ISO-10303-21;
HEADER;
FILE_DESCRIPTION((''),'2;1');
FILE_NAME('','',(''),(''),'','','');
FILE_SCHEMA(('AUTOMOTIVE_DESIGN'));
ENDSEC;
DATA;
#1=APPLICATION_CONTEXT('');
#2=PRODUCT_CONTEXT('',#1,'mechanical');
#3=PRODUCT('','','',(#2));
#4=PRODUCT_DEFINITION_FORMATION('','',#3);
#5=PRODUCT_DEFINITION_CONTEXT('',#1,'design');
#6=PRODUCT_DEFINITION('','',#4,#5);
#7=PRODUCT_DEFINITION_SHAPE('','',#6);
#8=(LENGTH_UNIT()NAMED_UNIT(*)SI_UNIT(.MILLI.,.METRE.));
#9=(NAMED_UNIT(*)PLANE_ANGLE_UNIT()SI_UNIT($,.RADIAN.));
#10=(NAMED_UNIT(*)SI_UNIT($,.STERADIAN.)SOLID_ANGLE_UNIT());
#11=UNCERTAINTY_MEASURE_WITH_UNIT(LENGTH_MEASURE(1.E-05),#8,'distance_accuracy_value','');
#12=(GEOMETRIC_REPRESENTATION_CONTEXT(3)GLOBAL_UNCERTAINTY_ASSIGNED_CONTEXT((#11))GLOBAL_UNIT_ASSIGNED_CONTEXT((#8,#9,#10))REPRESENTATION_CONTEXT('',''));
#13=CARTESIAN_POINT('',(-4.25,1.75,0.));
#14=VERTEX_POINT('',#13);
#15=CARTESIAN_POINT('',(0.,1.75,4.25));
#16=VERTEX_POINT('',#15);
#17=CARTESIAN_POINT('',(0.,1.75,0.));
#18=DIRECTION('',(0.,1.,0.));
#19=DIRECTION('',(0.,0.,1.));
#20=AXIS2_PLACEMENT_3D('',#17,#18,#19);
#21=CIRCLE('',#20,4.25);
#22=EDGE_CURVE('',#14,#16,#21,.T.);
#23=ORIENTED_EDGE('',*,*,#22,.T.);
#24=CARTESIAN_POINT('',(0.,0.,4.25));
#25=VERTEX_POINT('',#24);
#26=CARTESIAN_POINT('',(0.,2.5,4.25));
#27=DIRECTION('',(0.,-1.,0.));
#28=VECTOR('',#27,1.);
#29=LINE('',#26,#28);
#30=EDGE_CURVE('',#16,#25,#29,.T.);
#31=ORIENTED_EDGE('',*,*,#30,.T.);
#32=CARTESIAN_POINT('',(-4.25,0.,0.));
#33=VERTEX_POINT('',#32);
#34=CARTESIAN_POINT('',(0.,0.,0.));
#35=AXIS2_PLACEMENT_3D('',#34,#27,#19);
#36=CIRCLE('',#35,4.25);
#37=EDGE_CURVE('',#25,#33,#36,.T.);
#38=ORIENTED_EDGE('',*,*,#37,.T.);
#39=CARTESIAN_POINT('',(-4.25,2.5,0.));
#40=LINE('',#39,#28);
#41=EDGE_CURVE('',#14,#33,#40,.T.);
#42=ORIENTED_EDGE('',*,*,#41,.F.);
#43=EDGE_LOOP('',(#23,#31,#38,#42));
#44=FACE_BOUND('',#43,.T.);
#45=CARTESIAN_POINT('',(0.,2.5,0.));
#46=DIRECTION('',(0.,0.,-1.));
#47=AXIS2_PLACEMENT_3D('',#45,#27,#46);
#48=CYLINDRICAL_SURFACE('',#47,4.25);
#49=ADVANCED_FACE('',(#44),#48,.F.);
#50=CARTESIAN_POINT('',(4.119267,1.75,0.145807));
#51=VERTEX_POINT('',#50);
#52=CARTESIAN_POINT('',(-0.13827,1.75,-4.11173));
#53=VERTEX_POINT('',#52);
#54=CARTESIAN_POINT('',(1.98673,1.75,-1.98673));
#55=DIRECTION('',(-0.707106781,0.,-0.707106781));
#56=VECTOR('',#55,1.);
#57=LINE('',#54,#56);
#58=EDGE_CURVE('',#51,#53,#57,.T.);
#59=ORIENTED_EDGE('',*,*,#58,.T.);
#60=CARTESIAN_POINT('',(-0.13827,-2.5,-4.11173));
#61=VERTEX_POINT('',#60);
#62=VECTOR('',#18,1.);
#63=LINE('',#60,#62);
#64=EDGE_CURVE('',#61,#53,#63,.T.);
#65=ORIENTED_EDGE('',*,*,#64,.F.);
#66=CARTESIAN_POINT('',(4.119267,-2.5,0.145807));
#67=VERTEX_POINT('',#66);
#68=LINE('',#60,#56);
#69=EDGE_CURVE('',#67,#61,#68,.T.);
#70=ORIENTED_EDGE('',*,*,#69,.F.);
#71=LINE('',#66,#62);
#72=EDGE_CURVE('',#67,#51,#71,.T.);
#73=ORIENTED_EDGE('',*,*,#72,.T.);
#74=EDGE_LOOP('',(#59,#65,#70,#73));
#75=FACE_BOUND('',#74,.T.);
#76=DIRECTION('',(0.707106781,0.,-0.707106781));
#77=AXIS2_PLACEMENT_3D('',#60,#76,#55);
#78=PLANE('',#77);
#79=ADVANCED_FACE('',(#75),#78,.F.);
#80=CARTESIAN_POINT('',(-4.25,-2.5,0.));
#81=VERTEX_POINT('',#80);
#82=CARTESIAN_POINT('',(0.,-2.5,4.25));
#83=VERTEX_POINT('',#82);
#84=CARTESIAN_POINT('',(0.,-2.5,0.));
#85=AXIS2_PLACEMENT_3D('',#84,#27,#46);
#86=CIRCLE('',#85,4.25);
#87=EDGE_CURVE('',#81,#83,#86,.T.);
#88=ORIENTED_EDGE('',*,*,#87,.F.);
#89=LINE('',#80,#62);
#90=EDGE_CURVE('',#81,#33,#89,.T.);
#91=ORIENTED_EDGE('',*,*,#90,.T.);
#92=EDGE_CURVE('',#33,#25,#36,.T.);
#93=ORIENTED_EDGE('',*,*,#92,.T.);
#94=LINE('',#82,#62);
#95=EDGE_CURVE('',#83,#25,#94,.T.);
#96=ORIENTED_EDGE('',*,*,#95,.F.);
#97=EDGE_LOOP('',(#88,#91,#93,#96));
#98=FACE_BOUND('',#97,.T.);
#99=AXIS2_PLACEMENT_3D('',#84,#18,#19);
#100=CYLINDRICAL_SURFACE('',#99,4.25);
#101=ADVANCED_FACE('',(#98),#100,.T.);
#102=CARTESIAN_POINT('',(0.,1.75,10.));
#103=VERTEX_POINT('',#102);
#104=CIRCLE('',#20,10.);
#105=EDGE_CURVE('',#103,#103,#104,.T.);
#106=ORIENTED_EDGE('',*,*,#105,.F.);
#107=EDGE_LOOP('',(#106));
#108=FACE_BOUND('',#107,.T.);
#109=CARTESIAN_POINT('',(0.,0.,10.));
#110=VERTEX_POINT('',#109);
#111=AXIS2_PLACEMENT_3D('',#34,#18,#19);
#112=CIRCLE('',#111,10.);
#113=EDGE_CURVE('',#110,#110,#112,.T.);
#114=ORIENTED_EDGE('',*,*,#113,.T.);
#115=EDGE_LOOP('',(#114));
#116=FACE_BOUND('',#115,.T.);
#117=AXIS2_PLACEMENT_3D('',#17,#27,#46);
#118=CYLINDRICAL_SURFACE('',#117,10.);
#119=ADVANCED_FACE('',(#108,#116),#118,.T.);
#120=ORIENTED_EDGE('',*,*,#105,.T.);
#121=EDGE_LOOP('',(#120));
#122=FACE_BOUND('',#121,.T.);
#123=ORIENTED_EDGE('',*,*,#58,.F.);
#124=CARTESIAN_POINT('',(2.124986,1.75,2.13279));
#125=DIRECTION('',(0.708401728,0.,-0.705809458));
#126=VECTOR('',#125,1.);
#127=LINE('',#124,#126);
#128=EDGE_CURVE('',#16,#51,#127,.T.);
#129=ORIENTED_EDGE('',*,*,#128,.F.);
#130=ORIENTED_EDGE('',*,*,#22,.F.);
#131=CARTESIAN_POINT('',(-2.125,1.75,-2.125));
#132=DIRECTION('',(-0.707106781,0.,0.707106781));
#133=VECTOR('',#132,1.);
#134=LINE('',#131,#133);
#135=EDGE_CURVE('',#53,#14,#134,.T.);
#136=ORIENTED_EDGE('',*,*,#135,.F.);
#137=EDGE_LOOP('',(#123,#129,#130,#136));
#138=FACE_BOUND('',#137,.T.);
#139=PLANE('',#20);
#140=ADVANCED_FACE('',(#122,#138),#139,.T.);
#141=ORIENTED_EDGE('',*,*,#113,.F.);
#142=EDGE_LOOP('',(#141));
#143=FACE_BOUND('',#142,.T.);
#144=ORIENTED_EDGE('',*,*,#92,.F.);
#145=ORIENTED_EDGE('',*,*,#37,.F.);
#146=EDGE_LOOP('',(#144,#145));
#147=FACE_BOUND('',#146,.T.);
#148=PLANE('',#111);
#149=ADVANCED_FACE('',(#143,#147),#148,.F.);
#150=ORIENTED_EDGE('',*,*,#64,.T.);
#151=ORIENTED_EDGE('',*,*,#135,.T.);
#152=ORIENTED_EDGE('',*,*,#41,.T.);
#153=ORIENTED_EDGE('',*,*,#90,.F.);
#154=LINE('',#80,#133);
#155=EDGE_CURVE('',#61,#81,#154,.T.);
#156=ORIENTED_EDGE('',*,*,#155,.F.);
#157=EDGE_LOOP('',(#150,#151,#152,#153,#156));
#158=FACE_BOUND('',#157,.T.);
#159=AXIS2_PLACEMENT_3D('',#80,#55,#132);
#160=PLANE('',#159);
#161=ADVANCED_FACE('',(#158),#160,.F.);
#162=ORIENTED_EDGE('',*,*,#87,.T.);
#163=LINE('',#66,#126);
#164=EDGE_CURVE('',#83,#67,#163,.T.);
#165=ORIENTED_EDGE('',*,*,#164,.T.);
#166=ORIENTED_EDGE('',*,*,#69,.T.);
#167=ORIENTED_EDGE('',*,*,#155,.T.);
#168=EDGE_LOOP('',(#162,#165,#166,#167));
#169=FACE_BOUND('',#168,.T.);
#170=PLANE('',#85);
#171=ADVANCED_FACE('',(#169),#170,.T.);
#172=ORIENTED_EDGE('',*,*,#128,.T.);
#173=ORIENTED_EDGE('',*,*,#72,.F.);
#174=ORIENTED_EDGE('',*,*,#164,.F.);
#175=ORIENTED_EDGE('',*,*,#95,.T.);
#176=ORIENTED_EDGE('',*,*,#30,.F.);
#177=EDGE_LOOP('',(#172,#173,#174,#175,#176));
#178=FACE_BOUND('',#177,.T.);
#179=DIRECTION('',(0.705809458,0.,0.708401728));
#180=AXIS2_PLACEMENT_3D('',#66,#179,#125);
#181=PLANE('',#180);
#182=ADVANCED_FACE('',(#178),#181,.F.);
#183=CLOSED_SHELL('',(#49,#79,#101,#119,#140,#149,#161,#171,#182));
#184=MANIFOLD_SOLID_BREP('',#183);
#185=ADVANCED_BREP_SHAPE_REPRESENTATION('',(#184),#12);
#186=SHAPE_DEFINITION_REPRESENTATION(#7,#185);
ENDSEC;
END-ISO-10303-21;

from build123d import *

# Parameters (mm, degrees)
SKETCH2_R           = 10
BOSS_EXTRUDE1_DEPTH = 1.75
BOSS_EXTRUDE2_DEPTH = 2.5
CUT_EXTRUDE1_START  = -2.5
CUT_EXTRUDE1_DEPTH  = 2.5


with BuildPart() as part:
    # Sketch2 → Boss-Extrude1 (new body)
    with BuildSketch(Plane(origin=(0, 0, 0), x_dir=(1, 0, 0), z_dir=(0, 1, 0))):
        with Locations(Location((0, 0, 0), (0, 0, 270))):
            Circle(SKETCH2_R)
    extrude(amount=BOSS_EXTRUDE1_DEPTH)

    # Sketch3 → Boss-Extrude2 (add)
    with BuildSketch(Plane.XZ):
        with BuildLine():
            Line((-4.25, 0), (-0.138270177, -4.111729823))
            Line((-0.138270177, -4.111729823), (4.119266685, 0.145807039))
            Line((4.119266685, 0.145807039), (0, 4.25))
            ThreePointArc((0, 4.25), (4.25, 0), (0, -4.25))
            ThreePointArc((0, -4.25), (-3.00520382, -3.00520382), (-4.25, 0))
        make_face()
    extrude(amount=BOSS_EXTRUDE2_DEPTH)

    # Sketch4 → Cut-Extrude1 (cut)
    with BuildSketch(Plane.XZ.offset(CUT_EXTRUDE1_START)):
        with BuildLine():
            Line((-0.138270177, -4.111729823), (4.119266685, 0.145807039))
            Line((4.119266685, 0.145807039), (0, 4.25))
            ThreePointArc((0, 4.25), (-3.00520382, 3.00520382), (-4.25, 0))
            Line((-4.25, 0), (-0.138270177, -4.111729823))
        make_face()
    extrude(amount=CUT_EXTRUDE1_DEPTH, mode=Mode.SUBTRACT)


solid = part.part
